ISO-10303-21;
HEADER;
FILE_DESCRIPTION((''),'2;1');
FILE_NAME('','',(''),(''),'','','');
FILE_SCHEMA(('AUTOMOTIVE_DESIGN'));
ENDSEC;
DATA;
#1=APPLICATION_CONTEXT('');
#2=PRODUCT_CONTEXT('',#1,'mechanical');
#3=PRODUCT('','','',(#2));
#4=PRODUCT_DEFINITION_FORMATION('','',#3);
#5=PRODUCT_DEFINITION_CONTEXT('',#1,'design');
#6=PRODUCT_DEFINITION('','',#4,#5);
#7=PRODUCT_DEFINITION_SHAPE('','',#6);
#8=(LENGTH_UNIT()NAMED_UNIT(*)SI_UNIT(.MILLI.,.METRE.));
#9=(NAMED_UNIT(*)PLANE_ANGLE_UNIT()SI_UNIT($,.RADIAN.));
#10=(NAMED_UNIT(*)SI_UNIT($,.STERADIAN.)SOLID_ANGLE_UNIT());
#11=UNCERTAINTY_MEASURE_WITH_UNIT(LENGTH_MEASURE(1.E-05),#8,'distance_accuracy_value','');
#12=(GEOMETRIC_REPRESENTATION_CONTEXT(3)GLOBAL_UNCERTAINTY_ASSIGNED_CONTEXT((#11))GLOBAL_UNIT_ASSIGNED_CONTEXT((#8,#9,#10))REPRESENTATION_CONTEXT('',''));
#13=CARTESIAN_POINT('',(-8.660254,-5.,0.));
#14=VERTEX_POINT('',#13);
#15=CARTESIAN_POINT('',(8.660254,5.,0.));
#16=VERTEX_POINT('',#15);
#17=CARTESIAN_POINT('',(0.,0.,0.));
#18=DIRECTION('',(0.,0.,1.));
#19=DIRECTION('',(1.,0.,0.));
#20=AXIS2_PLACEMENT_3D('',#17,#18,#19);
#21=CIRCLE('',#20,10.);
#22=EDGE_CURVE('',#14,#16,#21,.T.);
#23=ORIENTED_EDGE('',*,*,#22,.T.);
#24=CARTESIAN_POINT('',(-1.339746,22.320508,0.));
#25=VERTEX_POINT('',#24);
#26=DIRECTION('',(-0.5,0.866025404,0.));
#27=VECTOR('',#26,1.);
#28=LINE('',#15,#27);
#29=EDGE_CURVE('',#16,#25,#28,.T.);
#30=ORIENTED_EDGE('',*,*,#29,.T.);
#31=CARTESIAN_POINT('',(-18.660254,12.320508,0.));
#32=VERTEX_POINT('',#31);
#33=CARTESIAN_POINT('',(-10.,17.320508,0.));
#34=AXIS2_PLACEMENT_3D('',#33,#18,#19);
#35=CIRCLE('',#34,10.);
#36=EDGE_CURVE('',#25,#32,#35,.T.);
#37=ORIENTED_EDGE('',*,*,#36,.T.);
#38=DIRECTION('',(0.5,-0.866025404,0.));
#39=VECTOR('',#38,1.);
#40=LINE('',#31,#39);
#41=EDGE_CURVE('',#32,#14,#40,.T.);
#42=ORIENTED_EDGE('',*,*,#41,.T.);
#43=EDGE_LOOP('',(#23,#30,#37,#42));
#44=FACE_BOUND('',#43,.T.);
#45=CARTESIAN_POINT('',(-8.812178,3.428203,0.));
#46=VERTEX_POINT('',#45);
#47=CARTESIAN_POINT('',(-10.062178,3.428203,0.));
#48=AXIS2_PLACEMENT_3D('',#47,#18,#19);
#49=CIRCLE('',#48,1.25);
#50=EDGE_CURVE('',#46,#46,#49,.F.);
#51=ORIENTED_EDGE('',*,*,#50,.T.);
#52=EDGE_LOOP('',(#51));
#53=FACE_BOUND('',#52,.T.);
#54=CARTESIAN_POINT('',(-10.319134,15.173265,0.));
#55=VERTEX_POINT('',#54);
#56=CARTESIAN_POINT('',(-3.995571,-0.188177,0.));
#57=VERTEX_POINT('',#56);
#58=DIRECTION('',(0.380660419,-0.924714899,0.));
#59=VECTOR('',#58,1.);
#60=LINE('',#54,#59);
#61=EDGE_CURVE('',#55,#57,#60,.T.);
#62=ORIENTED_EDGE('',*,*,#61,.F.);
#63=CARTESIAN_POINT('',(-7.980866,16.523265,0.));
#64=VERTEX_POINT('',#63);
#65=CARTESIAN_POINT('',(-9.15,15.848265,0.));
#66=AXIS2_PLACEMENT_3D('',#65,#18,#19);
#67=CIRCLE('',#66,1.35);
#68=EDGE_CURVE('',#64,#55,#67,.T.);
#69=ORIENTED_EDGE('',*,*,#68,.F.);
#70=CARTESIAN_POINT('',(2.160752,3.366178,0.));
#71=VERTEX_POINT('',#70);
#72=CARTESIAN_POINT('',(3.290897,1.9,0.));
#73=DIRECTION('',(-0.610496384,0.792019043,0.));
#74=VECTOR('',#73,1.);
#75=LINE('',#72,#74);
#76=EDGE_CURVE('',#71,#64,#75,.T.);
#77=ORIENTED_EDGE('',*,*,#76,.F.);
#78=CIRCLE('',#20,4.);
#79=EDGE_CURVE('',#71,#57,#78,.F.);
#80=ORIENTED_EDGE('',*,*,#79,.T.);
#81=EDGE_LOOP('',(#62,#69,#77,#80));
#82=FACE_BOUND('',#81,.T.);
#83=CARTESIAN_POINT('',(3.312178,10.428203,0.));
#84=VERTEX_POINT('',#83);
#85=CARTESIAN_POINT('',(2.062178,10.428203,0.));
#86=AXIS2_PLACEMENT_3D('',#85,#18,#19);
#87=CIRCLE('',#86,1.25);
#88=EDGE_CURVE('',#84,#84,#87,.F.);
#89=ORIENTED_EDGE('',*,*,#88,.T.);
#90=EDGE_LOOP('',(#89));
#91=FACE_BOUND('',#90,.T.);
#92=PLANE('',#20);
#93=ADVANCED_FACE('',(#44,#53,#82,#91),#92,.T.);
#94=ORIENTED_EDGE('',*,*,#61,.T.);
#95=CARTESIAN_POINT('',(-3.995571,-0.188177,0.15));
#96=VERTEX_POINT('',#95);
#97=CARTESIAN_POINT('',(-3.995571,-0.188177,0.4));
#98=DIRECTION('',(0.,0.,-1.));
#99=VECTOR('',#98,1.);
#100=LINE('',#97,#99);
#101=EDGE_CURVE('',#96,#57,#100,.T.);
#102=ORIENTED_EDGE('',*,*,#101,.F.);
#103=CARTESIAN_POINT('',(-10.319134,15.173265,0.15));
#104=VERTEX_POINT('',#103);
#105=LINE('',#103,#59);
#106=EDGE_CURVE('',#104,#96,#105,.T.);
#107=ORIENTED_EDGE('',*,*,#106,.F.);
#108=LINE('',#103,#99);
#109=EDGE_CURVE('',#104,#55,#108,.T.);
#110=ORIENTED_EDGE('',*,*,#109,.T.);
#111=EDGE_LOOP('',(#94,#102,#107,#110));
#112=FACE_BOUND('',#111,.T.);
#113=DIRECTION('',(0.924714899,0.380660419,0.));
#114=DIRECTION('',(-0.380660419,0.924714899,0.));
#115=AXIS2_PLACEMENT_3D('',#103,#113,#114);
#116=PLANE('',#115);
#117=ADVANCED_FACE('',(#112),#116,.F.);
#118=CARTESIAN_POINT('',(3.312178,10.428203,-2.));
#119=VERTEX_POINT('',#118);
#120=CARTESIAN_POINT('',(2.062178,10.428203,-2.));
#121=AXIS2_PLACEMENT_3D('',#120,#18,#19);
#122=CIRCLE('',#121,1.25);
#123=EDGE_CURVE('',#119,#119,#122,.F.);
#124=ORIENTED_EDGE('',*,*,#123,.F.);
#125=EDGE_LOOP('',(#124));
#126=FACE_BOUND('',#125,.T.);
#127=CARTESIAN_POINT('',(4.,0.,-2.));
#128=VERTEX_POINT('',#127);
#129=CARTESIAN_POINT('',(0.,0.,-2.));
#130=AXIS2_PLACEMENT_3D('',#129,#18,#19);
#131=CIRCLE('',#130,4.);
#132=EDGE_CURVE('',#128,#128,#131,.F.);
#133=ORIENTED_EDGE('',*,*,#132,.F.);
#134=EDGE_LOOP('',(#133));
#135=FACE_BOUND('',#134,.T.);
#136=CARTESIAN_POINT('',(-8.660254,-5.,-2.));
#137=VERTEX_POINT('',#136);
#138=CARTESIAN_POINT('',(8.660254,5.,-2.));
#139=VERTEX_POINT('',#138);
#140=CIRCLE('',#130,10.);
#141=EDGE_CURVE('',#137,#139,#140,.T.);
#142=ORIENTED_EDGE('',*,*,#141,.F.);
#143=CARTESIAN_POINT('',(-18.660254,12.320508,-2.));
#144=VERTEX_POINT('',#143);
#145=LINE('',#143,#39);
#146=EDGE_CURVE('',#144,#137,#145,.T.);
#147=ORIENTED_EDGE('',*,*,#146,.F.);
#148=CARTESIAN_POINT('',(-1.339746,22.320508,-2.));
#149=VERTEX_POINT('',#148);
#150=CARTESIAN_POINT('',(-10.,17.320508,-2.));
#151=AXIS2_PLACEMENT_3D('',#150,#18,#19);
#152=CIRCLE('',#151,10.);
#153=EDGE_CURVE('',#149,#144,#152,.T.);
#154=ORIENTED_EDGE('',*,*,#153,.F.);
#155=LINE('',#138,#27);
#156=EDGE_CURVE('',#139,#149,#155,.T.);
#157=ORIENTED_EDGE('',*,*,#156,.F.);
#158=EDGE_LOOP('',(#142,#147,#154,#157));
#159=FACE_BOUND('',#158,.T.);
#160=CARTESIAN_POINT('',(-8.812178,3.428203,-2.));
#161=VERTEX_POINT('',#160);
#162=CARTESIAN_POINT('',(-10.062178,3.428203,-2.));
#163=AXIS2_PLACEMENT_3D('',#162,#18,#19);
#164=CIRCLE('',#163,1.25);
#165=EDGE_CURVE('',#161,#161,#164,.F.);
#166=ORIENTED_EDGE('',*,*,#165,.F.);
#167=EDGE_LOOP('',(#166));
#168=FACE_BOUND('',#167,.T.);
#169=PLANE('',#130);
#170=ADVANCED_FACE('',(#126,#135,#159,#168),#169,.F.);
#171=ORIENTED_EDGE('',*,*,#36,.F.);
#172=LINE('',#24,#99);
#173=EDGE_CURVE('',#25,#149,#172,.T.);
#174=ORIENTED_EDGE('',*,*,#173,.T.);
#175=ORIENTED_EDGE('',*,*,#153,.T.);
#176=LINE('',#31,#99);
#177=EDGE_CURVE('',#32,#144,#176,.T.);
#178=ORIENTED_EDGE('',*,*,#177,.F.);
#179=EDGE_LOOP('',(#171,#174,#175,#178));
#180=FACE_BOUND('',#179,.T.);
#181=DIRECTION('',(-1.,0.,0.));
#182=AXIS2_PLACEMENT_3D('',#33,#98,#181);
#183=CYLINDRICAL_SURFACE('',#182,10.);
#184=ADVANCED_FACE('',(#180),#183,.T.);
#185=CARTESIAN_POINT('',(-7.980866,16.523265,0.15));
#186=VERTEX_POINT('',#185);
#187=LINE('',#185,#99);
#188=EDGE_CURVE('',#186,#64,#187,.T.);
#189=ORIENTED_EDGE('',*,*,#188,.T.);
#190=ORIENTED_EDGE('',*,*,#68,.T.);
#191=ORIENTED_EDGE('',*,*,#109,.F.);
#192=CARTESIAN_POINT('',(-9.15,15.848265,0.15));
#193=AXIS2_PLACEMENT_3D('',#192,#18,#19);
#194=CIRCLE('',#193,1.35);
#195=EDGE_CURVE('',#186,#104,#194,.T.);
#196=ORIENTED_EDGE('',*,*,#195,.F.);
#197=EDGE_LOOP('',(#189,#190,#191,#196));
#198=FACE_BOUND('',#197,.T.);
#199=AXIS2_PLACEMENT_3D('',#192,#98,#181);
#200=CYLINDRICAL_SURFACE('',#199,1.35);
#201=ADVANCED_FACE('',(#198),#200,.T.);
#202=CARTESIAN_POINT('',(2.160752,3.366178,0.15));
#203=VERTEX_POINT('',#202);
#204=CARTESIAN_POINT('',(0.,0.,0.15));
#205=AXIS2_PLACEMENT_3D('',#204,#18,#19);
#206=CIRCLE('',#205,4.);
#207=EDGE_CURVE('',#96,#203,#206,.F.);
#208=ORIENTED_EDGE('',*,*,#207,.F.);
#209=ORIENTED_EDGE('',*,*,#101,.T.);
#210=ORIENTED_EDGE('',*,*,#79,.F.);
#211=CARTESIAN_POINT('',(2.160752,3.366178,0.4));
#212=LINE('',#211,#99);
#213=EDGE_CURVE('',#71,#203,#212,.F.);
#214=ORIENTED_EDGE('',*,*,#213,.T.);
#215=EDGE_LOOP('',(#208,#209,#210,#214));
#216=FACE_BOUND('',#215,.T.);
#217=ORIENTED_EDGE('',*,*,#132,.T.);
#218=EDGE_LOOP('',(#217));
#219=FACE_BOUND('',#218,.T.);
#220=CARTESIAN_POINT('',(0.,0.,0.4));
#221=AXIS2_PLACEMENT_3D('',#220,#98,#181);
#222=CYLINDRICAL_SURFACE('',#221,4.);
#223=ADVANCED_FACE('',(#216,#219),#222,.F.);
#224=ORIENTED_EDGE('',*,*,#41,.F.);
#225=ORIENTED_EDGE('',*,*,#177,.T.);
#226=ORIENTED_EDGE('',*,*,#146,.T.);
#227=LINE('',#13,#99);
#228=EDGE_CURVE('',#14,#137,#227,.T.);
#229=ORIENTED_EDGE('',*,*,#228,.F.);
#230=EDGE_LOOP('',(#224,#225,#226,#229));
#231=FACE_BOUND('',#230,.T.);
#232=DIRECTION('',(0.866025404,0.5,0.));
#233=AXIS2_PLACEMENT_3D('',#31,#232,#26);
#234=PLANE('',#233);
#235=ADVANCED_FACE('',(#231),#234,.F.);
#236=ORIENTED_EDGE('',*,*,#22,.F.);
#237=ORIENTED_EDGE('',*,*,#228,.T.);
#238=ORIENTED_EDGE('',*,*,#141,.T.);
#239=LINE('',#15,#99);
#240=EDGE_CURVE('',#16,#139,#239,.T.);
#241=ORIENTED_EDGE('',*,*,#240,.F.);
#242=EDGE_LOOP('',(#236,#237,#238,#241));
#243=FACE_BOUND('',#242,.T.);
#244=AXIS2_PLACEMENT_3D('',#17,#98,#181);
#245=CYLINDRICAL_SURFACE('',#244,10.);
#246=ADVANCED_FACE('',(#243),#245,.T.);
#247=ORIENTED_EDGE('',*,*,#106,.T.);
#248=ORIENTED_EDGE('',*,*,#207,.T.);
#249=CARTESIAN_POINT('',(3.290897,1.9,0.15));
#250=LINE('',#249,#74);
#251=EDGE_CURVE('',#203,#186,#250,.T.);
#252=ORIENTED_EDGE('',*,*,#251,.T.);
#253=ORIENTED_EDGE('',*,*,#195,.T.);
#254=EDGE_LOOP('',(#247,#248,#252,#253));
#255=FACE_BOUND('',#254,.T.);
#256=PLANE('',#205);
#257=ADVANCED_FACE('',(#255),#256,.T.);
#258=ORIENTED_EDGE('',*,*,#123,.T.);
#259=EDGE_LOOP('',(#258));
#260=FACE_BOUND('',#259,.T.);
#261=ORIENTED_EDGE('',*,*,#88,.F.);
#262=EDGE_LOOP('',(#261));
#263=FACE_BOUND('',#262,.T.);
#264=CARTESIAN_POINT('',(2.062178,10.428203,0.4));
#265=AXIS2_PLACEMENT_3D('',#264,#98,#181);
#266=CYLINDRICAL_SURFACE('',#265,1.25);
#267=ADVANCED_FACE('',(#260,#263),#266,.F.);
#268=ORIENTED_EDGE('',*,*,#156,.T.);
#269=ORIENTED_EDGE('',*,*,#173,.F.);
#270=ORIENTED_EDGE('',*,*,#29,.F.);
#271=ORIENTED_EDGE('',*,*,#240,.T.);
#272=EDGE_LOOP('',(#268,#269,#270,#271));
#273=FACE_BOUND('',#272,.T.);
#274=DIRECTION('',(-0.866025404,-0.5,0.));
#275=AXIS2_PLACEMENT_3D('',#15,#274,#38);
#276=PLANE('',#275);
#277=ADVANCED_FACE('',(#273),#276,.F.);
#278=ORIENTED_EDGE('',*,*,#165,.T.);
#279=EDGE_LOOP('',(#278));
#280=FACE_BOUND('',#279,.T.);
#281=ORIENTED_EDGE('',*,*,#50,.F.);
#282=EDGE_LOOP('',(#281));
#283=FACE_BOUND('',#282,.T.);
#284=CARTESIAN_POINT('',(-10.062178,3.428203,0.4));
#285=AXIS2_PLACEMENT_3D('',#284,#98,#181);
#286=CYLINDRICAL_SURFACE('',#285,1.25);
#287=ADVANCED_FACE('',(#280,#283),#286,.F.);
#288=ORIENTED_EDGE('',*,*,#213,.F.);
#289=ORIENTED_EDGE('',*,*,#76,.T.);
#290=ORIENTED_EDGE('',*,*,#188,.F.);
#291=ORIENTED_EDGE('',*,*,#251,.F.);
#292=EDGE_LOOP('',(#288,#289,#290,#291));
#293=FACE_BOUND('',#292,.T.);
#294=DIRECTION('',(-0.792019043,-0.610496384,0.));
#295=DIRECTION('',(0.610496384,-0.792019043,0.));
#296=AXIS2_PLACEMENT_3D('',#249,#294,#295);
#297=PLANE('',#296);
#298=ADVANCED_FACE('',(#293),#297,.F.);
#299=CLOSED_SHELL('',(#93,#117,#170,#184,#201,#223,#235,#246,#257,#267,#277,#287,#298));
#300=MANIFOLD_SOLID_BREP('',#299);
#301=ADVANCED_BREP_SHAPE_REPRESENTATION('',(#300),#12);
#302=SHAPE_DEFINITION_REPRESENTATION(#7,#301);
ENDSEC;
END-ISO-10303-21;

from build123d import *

# Parameters (mm, degrees)
RETAINER_PLATE_2MM_START         = -2
RETAINER_PLATE_2MM_DEPTH         = 2
RETAINER_PLATE_2MM_ROOT_START    = -2
SKETCH_2_R                       = 10
RETAINER_PLATE_2MM_ROOT_DEPTH    = 2
RETAINER_PLATE_2MM_TIP_START     = -2
SKETCH_3_R                       = 10
RETAINER_PLATE_2MM_TIP_DEPTH     = 2
HORN_CONTACT_PAD_0P15_DEPTH      = 0.15
SKETCH_5_R                       = 3.8
HORN_CONTACT_PAD_0P15_ROOT_DEPTH = 0.15
SKETCH_6_R                       = 1.35
HORN_CONTACT_PAD_0P15_TIP_DEPTH  = 0.15
BOSS_CLEARANCE_8_START           = -2.1
SKETCH_7_R                       = 4
BOSS_CLEARANCE_8_DEPTH           = 2.5
M2_CLEARANCE_2P5_PITCH14_START   = -2.1
SKETCH_8_R                       = 1.25
M2_CLEARANCE_2P5_PITCH14_DEPTH   = 2.5


with BuildPart() as part:
    # 草图1 → Retainer_plate_2mm (new body)
    with BuildSketch(Plane.XY.offset(RETAINER_PLATE_2MM_START)):
        Polygon((8.660254038, 5), (-1.339745962, 22.320508076), (-18.660254038, 12.320508076), (-8.660254038, -5), align=None)
    extrude(amount=RETAINER_PLATE_2MM_DEPTH)

    # 草图2 → Retainer_plate_2mm_root (add)
    with BuildSketch(Plane.XY.offset(RETAINER_PLATE_2MM_ROOT_START)):
        Circle(SKETCH_2_R)
    extrude(amount=RETAINER_PLATE_2MM_ROOT_DEPTH)

    # 草图3 → Retainer_plate_2mm_tip (add)
    with BuildSketch(Plane.XY.offset(RETAINER_PLATE_2MM_TIP_START)):
        with Locations((-10, 17.320508076)):
            Circle(SKETCH_3_R)
    extrude(amount=RETAINER_PLATE_2MM_TIP_DEPTH)

    # 草图4 → Horn_contact_pad_0p15 (add)
    with BuildSketch(Plane.XY):
        Polygon((3.290896534, 1.9), (-7.980865705, 16.523264889), (-10.319134295, 15.173264889), (-3.290896534, -1.9), align=None)
    extrude(amount=HORN_CONTACT_PAD_0P15_DEPTH)

    # 草图5 → Horn_contact_pad_0p15_root (add)
    with BuildSketch(Plane.XY):
        Circle(SKETCH_5_R)
    extrude(amount=HORN_CONTACT_PAD_0P15_ROOT_DEPTH)

    # 草图6 → Horn_contact_pad_0p15_tip (add)
    with BuildSketch(Plane.XY):
        with Locations((-9.15, 15.848264889)):
            Circle(SKETCH_6_R)
    extrude(amount=HORN_CONTACT_PAD_0P15_TIP_DEPTH)

    # 草图7 → Boss_clearance_8 (cut)
    with BuildSketch(Plane.XY.offset(BOSS_CLEARANCE_8_START)):
        with Locations(Location((0, 0, 0), (0, 0, 182.696435406))):
            Circle(SKETCH_7_R)
    extrude(amount=BOSS_CLEARANCE_8_DEPTH, mode=Mode.SUBTRACT)

    # 草图8 → M2_clearance_2p5_pitch14 (cut)
    with BuildSketch(Plane.XY.offset(M2_CLEARANCE_2P5_PITCH14_START)):
        with Locations((2.062177826, 10.42820323)):
            Circle(SKETCH_8_R)
        with Locations((-10.062177826, 3.42820323)):
            Circle(SKETCH_8_R)
    extrude(amount=M2_CLEARANCE_2P5_PITCH14_DEPTH, mode=Mode.SUBTRACT)


solid = part.part
